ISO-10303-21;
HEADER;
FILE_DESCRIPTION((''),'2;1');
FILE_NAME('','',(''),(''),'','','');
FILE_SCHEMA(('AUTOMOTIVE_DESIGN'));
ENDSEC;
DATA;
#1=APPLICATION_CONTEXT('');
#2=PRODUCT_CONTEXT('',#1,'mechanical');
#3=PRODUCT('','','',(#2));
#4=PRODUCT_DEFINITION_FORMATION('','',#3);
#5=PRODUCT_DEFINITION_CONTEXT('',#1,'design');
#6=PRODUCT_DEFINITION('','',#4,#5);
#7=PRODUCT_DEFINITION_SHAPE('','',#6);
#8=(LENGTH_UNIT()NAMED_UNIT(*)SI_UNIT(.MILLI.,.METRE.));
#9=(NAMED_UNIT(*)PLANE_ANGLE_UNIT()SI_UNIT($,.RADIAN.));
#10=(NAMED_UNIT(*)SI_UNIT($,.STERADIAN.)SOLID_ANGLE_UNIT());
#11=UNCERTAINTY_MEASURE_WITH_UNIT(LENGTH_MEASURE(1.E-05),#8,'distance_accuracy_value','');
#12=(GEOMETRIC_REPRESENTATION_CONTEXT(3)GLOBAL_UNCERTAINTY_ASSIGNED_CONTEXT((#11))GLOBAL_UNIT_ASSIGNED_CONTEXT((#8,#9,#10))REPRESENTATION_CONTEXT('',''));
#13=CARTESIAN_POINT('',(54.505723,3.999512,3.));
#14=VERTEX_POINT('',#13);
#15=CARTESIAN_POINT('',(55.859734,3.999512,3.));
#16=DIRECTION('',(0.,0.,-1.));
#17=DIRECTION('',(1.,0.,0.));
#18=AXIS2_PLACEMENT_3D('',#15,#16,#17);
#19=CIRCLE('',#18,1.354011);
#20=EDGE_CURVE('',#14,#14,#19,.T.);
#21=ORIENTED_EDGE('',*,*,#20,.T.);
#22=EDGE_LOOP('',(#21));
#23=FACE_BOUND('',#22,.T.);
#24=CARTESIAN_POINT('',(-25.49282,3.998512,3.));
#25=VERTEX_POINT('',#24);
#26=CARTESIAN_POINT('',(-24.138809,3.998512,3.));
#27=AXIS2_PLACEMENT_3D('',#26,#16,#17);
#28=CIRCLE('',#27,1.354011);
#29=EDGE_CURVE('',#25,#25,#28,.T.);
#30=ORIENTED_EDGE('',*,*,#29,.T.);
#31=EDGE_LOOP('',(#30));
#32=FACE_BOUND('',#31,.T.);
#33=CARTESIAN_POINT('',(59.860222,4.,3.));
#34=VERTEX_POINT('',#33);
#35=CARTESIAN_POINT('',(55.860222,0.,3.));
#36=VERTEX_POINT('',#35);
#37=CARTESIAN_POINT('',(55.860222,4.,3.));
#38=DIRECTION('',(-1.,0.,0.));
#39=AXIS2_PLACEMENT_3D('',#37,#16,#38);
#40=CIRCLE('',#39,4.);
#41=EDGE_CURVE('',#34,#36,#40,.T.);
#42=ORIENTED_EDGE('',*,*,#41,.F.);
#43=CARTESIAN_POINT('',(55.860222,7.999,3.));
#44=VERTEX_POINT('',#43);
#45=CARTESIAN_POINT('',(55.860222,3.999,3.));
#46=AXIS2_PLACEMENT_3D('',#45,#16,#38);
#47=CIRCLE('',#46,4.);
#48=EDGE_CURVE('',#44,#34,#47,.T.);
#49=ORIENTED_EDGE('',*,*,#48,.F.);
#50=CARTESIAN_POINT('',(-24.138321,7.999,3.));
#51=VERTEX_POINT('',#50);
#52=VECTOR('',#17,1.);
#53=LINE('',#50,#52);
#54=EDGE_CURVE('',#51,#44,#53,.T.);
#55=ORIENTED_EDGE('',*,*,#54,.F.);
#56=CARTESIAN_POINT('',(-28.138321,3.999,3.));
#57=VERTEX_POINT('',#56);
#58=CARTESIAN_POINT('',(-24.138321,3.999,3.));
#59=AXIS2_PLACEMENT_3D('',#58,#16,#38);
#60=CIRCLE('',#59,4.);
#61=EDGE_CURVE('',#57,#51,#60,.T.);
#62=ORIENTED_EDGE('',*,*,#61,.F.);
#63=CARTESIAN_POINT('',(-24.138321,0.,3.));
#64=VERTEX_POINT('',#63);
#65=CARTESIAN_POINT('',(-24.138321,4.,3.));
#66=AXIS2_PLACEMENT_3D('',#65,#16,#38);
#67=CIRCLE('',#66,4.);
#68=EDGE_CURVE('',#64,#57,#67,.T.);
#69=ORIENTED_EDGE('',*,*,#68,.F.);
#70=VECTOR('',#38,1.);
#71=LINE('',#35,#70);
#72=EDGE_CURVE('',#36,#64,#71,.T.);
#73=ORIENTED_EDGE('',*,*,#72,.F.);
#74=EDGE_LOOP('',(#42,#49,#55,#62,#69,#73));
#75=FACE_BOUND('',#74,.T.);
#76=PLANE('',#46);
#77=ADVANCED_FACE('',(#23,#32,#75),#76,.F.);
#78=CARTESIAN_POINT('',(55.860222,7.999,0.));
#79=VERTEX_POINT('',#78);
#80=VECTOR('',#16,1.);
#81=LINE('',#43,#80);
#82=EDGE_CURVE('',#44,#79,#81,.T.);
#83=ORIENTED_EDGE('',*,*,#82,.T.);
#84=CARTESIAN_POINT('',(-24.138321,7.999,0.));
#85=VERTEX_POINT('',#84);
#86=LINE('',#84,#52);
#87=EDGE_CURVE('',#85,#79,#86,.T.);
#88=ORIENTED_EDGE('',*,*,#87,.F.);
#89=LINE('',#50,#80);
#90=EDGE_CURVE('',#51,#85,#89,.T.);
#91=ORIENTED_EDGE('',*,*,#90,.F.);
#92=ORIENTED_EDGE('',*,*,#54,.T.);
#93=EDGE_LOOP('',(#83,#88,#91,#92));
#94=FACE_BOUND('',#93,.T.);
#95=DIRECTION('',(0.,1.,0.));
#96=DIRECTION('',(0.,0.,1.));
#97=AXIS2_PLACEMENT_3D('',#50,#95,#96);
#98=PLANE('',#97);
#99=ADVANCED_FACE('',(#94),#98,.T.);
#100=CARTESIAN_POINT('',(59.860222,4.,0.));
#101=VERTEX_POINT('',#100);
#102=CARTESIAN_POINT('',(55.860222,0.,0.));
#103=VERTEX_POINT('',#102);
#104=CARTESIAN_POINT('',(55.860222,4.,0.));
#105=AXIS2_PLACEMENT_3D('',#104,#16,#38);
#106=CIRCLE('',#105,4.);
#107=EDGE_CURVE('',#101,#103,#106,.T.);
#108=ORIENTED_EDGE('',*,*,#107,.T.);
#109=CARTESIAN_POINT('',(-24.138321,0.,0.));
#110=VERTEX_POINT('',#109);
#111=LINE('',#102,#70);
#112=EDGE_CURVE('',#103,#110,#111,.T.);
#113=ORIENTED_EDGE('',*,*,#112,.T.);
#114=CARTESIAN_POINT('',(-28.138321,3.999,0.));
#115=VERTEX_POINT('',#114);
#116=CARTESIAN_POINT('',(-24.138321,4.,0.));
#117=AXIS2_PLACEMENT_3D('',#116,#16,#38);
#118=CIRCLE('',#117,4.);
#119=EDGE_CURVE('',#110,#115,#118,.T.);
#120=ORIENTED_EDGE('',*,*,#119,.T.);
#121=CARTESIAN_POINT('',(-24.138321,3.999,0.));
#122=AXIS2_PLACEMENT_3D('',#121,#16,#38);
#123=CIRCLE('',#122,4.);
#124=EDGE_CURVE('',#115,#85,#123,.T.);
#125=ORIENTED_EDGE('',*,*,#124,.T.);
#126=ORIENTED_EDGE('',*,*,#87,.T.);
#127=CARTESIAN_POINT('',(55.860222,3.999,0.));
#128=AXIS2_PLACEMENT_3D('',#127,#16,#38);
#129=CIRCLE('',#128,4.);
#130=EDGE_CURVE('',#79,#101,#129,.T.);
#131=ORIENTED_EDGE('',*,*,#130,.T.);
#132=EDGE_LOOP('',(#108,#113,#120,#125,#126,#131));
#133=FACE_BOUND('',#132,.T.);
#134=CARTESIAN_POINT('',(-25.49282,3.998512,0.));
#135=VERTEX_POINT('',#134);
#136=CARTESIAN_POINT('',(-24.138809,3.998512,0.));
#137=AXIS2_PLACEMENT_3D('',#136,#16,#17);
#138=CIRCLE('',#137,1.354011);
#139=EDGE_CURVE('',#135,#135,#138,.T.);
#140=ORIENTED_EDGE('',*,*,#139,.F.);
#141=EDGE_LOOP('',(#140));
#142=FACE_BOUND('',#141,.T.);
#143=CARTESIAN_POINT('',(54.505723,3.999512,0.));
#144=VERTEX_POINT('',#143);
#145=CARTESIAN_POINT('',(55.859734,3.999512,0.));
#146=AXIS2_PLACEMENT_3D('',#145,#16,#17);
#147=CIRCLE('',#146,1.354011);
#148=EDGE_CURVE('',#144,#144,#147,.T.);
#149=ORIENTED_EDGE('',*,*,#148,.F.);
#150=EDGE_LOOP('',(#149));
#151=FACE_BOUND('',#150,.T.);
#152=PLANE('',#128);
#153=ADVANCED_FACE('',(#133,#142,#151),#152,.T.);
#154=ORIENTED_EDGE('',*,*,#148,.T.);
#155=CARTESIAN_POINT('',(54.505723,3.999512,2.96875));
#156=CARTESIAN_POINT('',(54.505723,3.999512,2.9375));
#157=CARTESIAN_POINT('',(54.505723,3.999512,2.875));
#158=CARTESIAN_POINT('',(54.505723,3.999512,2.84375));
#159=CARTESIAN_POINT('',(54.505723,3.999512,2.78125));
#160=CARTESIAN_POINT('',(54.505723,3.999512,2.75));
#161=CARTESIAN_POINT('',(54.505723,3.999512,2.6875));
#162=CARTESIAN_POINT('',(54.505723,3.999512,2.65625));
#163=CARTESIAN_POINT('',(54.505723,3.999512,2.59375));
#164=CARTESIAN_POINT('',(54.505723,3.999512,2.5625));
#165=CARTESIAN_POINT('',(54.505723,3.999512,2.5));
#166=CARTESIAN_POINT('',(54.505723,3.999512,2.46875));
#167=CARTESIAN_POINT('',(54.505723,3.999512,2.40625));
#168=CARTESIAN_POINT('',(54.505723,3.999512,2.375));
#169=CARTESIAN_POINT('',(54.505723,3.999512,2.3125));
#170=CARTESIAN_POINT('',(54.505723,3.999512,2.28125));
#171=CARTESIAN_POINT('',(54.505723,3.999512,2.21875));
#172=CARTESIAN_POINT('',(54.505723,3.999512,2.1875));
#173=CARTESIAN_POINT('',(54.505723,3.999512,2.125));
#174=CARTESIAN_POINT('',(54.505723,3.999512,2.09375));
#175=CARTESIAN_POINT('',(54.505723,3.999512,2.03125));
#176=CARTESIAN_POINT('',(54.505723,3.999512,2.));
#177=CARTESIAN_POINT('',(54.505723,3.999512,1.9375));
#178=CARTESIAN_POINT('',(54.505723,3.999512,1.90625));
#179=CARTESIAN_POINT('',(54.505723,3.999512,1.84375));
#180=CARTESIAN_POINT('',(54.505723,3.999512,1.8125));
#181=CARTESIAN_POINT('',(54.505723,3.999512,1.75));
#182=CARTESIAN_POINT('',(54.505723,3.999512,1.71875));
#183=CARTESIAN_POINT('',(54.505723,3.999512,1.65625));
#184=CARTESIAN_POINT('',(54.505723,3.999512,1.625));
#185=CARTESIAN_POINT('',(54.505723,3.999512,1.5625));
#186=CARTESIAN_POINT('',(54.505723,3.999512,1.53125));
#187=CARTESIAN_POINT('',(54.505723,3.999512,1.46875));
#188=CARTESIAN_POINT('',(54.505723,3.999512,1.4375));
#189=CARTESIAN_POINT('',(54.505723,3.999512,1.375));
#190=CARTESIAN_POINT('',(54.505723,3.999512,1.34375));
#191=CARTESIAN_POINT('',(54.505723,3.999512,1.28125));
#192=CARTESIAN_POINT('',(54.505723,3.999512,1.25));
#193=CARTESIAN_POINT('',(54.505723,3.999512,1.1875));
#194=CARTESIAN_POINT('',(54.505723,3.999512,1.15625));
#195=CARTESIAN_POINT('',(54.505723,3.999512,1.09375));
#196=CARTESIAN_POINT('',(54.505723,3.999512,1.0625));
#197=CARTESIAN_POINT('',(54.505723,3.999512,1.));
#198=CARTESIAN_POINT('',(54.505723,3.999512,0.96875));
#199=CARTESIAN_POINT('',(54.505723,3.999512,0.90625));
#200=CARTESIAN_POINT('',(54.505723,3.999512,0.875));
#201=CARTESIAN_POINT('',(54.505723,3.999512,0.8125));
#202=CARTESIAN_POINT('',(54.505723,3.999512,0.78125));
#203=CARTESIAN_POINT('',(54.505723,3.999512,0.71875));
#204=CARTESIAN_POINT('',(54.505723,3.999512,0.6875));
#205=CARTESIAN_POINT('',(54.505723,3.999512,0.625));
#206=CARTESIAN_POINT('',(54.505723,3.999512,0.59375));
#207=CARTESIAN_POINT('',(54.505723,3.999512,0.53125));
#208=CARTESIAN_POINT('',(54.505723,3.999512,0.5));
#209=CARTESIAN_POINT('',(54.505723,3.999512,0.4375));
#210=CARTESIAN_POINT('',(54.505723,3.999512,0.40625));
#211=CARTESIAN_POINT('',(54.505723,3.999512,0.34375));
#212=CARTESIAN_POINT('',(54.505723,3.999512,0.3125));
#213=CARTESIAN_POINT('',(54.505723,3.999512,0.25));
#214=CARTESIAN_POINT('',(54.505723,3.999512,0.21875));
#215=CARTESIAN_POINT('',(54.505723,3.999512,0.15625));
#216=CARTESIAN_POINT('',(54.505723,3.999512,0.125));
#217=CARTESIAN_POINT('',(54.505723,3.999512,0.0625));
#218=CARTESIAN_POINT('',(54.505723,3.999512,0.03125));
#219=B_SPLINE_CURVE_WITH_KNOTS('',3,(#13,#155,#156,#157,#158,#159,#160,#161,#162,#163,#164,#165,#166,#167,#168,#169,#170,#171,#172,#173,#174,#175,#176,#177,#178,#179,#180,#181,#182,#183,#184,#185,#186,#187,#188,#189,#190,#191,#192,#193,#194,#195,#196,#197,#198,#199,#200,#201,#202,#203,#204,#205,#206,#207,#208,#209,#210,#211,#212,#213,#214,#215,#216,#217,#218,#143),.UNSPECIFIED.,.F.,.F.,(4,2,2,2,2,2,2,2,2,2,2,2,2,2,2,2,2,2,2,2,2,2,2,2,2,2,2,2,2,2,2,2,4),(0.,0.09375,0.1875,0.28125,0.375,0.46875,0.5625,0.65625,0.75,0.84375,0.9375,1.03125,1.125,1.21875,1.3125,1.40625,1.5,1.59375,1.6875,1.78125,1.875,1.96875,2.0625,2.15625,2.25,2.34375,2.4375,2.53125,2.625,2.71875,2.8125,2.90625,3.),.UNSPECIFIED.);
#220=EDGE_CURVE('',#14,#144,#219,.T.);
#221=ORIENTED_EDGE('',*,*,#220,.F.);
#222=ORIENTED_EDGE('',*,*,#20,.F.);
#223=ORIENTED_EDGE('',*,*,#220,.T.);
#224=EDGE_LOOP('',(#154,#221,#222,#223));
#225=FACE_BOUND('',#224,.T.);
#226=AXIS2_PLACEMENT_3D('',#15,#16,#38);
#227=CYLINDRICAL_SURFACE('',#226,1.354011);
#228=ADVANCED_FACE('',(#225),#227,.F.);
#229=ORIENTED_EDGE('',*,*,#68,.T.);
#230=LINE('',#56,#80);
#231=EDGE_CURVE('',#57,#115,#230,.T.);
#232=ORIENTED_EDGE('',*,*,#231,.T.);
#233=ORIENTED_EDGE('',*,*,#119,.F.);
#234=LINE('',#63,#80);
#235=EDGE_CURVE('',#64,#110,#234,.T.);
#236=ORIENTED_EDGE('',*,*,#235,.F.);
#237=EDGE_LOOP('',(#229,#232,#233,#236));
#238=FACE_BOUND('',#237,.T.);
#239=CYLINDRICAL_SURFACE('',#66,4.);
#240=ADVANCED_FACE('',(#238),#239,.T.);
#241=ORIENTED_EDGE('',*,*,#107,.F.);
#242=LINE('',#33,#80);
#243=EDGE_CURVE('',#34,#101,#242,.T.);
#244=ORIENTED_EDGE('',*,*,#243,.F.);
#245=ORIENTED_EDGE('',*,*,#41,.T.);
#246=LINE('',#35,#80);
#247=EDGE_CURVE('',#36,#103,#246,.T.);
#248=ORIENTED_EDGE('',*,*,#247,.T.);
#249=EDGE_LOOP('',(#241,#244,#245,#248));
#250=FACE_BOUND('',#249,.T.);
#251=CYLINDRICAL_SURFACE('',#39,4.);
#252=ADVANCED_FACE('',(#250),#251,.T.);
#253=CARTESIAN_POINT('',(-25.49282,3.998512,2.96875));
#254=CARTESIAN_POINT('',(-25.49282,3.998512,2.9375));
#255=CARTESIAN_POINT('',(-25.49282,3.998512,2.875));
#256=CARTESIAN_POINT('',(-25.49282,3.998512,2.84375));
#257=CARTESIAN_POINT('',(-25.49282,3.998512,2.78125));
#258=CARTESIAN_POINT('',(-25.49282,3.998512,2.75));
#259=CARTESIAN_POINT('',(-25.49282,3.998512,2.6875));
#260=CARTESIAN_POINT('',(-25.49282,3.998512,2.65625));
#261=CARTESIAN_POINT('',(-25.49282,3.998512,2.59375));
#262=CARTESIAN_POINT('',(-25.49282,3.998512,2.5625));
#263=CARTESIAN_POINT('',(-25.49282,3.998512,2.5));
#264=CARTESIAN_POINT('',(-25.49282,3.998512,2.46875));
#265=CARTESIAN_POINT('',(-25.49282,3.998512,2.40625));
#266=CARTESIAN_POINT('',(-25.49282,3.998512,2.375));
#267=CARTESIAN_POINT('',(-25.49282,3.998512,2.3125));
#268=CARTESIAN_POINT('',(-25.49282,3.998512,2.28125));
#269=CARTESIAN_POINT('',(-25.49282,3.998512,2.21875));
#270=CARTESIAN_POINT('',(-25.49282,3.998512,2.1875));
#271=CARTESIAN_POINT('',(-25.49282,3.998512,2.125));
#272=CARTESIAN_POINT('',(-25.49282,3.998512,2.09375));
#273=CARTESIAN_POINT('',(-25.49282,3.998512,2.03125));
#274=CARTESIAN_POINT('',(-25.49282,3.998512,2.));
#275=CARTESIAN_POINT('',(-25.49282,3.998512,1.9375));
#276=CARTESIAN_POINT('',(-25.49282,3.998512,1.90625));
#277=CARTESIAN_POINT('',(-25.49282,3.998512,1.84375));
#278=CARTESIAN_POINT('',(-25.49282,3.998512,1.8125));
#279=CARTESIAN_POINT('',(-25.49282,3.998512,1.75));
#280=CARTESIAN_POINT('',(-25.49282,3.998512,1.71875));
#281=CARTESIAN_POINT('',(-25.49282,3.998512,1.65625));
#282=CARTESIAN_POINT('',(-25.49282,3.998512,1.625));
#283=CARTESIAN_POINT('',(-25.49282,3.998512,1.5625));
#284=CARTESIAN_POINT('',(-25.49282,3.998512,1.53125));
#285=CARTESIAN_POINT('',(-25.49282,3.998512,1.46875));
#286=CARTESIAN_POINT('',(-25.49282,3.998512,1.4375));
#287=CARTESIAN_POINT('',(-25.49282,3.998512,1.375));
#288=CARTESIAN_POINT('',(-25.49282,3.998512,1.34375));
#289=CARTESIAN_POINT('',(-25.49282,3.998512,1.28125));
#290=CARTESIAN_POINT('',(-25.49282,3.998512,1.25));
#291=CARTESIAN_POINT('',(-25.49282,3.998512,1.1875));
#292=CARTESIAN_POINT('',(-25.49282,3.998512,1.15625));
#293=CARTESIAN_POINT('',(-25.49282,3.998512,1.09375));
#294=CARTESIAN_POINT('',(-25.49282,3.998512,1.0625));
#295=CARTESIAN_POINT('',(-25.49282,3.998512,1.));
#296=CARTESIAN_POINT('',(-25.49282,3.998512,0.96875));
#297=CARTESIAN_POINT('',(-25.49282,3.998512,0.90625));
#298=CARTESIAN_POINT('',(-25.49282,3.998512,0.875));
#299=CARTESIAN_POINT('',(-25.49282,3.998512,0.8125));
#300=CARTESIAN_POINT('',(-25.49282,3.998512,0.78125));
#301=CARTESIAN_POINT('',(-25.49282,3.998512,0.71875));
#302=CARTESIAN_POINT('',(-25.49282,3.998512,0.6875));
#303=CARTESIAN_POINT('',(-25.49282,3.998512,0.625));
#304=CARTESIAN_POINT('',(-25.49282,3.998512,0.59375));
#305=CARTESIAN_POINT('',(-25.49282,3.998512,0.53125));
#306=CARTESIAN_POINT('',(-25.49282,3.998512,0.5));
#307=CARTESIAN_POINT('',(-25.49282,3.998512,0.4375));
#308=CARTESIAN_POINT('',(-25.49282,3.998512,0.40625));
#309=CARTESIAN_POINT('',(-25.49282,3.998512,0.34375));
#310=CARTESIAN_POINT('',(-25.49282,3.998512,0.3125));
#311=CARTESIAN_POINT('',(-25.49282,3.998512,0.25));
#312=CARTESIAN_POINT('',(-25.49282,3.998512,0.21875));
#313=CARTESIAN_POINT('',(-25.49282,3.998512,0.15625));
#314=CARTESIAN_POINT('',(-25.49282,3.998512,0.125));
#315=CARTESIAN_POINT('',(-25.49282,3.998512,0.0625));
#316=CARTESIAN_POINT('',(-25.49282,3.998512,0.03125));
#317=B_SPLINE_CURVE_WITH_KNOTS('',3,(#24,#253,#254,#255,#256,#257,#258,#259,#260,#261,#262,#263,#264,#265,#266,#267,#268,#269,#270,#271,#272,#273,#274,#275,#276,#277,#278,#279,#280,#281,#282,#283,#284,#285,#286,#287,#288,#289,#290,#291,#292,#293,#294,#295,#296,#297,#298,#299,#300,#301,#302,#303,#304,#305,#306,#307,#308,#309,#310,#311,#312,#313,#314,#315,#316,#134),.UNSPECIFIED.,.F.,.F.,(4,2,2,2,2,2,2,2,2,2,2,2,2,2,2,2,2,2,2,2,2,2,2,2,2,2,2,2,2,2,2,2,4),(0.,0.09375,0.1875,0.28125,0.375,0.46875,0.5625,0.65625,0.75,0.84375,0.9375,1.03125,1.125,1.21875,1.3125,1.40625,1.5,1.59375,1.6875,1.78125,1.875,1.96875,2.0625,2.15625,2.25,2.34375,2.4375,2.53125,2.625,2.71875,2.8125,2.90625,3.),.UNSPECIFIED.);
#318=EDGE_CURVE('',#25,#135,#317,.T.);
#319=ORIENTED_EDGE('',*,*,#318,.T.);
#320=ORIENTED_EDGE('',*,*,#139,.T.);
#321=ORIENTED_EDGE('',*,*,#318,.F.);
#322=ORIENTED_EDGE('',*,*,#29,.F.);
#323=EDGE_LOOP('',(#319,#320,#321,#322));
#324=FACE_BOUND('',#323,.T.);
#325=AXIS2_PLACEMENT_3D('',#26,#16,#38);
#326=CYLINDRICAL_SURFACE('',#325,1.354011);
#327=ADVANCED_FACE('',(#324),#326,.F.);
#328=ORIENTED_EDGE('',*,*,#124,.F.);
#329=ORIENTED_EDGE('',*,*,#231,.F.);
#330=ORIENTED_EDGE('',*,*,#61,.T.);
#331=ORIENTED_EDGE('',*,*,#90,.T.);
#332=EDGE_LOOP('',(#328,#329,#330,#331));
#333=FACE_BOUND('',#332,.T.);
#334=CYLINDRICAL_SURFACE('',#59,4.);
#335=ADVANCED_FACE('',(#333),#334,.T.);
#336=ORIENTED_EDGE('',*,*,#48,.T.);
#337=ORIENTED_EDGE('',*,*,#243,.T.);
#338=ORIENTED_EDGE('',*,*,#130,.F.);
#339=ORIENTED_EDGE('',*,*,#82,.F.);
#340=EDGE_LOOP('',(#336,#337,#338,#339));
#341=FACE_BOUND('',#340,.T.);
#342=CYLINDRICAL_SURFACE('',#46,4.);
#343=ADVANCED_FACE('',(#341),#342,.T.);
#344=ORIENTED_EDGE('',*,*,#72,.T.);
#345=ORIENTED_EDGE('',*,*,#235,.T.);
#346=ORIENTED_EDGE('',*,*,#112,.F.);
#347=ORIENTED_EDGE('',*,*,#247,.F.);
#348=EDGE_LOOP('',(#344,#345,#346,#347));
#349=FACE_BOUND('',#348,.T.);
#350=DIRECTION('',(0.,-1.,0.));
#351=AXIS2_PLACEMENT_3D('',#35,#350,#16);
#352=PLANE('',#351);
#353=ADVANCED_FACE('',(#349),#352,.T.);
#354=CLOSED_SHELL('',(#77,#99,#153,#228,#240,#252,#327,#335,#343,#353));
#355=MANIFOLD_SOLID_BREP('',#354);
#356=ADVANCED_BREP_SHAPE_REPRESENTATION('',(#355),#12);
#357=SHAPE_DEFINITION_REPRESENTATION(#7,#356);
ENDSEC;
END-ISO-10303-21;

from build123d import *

# Parameters (mm, degrees)
SKETCH_1_R      = 1.354010502
EXTRUDE_1_DEPTH = 3


with BuildPart() as part:
    # 草图1 → 凸台-拉伸1 (new body)
    with BuildSketch(Plane(origin=(0, 0, 0), x_dir=(-1, 0, 0), z_dir=(0, 0, -1))):
        with BuildLine():
            Line((-55.860221974, 0), (24.13832066, 0))
            ThreePointArc((24.13832066, 0), (26.966394209, 1.171219344), (28.138320535, 3.999))
            ThreePointArc((28.138320535, 3.999), (26.96674766, 6.827427125), (24.138320535, 7.999))
            Line((24.138320535, 7.999), (-55.860222099, 7.999))
            ThreePointArc((-55.860222099, 7.999), (-58.688295648, 6.827780656), (-59.860221974, 4))
            ThreePointArc((-59.860221974, 4), (-58.688649099, 1.171572875), (-55.860221974, 0))
        make_face()
        with Locations((24.138809001, 3.998511534)):
            Circle(SKETCH_1_R, mode=Mode.SUBTRACT)
        with Locations((-55.859733508, 3.999511534)):
            Circle(SKETCH_1_R, mode=Mode.SUBTRACT)
    extrude(amount=-EXTRUDE_1_DEPTH)


solid = part.part
